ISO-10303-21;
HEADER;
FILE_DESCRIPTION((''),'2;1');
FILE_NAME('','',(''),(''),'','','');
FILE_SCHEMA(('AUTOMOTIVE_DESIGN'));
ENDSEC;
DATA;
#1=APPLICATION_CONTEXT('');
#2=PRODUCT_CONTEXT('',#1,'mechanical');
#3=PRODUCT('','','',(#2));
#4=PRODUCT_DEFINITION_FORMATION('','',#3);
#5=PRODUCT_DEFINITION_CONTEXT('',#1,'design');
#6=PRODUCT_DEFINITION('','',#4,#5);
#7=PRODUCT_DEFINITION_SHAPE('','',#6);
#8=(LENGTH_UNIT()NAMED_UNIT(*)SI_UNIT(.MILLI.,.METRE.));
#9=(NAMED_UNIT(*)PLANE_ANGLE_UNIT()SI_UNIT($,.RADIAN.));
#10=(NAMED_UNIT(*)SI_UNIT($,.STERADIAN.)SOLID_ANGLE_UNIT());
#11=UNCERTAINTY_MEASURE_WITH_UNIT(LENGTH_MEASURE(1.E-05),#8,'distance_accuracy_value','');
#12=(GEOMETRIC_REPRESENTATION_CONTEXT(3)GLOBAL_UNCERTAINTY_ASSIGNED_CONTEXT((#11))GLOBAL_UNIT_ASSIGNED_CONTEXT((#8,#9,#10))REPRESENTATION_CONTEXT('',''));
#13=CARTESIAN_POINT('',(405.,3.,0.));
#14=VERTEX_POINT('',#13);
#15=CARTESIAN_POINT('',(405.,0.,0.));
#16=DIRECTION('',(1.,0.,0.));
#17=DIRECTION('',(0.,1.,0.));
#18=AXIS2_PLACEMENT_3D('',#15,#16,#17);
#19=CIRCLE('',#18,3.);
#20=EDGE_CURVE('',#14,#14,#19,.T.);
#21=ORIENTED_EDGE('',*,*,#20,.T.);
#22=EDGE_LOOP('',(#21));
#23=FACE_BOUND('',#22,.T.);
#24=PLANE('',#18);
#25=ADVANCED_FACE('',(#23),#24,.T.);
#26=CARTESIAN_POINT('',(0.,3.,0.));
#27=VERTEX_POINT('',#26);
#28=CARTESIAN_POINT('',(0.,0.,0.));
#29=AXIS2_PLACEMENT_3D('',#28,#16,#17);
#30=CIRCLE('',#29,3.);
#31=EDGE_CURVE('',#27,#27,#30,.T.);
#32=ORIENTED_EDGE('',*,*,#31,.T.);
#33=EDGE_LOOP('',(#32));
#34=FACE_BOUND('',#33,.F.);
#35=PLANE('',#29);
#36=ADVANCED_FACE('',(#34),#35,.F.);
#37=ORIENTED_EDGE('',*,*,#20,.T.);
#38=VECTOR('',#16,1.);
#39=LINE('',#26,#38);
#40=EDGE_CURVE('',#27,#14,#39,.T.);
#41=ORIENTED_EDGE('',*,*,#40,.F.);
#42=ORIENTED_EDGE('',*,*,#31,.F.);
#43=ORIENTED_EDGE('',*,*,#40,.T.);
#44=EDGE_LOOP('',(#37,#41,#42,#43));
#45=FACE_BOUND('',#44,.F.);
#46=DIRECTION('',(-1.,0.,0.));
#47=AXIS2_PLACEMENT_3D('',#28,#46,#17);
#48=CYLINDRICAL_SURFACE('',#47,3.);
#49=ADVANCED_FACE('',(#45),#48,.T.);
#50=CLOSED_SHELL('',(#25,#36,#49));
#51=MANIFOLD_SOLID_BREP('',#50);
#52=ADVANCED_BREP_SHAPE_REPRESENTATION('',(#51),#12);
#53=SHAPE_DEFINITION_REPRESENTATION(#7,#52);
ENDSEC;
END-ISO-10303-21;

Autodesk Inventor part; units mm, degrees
ref_plane "YZ Plane" through (0, 0, 0) normal (1, 0, 0) x (0, 1, 0)
ref_plane "XZ Plane" through (0, 0, 0) normal (0, 1, 0) x (-1, 0, 0)
ref_plane "XY Plane" through (0, 0, 0) normal (0, 0, 1) x (1, 0, 0)
sketch "Эскиз1" plane through (0, 0, 0) normal (1, 0, 0) x (0, 1, 0)
  circle A0 centre (0, 0) radius 3
  dimension "d0" = 6
extrude "Выдавливание1" add sketch "Эскиз1" along normal blind 405
properties part number "вал сосало"
